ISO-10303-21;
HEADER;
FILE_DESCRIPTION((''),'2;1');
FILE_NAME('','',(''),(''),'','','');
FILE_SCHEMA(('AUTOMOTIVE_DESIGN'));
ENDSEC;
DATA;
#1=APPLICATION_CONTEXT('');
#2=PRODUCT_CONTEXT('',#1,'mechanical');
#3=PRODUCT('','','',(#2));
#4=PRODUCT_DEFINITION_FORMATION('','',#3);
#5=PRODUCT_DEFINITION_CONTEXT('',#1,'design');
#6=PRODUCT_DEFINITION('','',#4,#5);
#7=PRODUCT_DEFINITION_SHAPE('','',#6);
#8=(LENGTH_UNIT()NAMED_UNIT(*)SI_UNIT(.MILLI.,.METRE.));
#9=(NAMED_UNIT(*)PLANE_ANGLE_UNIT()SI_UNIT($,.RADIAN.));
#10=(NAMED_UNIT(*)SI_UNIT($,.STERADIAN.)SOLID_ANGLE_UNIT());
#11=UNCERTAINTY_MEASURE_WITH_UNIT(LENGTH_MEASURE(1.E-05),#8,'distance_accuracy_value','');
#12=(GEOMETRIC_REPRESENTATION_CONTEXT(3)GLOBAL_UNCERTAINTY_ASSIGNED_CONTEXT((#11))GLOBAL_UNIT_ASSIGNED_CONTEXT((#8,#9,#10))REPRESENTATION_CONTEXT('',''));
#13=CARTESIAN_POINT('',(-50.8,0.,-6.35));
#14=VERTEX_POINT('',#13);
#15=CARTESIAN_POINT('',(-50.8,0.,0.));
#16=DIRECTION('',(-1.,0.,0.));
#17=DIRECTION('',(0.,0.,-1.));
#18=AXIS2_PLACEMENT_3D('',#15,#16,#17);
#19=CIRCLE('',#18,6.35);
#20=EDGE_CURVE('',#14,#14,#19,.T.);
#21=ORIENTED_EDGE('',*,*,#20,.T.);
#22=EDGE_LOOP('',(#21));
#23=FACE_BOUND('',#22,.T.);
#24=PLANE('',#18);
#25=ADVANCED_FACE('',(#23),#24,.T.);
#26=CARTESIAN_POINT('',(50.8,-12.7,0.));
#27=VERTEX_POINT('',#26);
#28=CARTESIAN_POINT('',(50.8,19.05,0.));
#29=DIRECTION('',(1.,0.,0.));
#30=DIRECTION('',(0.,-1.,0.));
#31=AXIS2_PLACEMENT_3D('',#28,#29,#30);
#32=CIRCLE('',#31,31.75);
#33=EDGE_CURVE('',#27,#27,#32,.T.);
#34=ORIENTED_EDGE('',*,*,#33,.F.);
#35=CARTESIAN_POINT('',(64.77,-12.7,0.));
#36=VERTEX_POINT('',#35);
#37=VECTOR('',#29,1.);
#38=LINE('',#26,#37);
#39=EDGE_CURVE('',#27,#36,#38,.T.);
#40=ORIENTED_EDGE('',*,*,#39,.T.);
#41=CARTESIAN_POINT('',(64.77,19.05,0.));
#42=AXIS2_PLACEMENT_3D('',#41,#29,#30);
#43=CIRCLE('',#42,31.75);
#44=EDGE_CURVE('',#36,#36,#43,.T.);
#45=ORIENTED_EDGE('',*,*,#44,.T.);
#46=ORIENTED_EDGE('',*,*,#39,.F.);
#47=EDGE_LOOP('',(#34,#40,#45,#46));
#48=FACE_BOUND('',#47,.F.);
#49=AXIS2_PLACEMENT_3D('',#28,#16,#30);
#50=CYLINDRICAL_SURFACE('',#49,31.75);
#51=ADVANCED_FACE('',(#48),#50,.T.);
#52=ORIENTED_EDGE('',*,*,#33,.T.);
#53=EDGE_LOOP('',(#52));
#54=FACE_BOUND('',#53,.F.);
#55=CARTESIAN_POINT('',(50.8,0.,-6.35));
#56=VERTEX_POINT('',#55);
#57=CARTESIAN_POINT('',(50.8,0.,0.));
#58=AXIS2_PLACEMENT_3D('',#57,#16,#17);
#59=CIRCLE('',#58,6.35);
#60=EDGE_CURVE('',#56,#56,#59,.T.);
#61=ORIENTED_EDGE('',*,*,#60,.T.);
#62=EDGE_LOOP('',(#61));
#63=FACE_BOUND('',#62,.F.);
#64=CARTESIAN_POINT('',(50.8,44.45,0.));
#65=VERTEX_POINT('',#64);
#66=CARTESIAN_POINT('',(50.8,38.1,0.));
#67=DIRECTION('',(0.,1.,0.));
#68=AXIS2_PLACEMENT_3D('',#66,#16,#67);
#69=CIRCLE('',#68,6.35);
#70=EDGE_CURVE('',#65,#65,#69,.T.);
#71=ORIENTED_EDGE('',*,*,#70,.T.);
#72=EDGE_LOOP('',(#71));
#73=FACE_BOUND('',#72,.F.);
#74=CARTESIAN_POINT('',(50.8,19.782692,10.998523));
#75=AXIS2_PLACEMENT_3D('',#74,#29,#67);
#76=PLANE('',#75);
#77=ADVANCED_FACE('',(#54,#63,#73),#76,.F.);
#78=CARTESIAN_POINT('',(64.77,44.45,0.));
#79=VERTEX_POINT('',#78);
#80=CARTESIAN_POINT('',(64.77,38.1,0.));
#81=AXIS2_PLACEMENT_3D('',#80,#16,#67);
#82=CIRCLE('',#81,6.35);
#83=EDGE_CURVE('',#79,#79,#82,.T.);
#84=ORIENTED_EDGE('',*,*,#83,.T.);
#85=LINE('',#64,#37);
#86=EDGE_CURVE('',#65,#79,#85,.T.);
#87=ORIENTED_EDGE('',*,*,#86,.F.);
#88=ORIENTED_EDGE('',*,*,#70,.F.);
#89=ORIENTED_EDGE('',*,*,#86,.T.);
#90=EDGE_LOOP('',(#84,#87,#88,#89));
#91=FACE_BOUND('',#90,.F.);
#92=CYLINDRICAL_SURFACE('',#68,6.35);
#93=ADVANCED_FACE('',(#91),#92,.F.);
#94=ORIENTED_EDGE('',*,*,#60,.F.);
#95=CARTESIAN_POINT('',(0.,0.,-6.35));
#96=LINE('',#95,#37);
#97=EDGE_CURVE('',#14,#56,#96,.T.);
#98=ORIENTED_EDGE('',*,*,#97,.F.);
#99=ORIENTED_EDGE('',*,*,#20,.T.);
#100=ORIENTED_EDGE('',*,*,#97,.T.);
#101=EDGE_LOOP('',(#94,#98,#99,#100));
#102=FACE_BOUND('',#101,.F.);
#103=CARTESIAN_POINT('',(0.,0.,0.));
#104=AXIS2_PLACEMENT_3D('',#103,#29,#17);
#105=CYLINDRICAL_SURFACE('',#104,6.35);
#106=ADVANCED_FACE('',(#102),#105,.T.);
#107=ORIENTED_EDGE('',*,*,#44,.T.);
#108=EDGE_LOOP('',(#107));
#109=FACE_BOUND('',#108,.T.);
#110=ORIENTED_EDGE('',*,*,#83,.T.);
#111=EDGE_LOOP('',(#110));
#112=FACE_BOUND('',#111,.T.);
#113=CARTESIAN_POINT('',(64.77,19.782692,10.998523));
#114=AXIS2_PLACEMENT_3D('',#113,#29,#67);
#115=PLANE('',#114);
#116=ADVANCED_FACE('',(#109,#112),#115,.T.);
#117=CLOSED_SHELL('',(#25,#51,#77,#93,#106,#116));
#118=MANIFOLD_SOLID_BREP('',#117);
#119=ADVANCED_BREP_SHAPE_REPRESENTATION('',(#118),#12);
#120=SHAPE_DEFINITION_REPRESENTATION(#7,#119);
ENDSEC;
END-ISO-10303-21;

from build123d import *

# Parameters (mm, degrees)
F0_W     = 101.6
F0_H     = 6.35
F3_DEPTH = 13.97
F4_DEPTH = 2.794


with BuildPart() as f1:
    # F0 (on Front) → F1 (revolve)
    with BuildSketch(Plane.XZ):
        with Locations((0, -3.175)):
            Rectangle(F0_W, F0_H)
    revolve(axis=Axis((-107.179771, 0, 0), (-1, 0, 0)))

    # F2 (on face) → F3 (join)
    with BuildSketch(Plane.YZ.offset(50.8)):
        with BuildLine():
            ThreePointArc((31.75, 0), (38.1, 6.35), (44.45, 0))
            Line((44.45, 0), (50.8, 0))
            ThreePointArc((50.8, 0), (19.05, 31.75), (-12.7, 0))
            Line((-12.7, 0), (31.75, 0))
        make_face()
        with BuildLine():
            Line((50.8, 0), (44.45, 0))
            ThreePointArc((44.45, 0), (38.1, -6.35), (31.75, 0))
            Line((31.75, 0), (-12.7, 0))
            ThreePointArc((-12.7, 0), (19.05, -31.75), (50.8, 0))
        make_face()
    extrude(amount=F3_DEPTH)


with BuildPart() as f4:
    # F2 (on face) → F4 (new body)
    with BuildSketch(Plane.YZ.offset(50.8)):
        with BuildLine():
            Line((50.8, 0), (44.45, 0))
            ThreePointArc((44.45, 0), (38.1, -6.35), (31.75, 0))
            Line((31.75, 0), (6.35, 0))
            ThreePointArc((6.35, 0), (0, -6.35), (-6.35, 0))
            Line((-6.35, 0), (-12.7, 0))
            ThreePointArc((-12.7, 0), (19.05, -31.75), (50.8, 0))
        make_face()
        with BuildLine():
            ThreePointArc((31.75, 0), (38.1, 6.35), (44.45, 0))
            Line((44.45, 0), (50.8, 0))
            ThreePointArc((50.8, 0), (19.05, 31.75), (-12.7, 0))
            Line((-12.7, 0), (-6.35, 0))
            ThreePointArc((-6.35, 0), (0, 6.35), (6.35, 0))
            Line((6.35, 0), (31.75, 0))
        make_face()
    extrude(amount=F4_DEPTH)


solid = f1.part
